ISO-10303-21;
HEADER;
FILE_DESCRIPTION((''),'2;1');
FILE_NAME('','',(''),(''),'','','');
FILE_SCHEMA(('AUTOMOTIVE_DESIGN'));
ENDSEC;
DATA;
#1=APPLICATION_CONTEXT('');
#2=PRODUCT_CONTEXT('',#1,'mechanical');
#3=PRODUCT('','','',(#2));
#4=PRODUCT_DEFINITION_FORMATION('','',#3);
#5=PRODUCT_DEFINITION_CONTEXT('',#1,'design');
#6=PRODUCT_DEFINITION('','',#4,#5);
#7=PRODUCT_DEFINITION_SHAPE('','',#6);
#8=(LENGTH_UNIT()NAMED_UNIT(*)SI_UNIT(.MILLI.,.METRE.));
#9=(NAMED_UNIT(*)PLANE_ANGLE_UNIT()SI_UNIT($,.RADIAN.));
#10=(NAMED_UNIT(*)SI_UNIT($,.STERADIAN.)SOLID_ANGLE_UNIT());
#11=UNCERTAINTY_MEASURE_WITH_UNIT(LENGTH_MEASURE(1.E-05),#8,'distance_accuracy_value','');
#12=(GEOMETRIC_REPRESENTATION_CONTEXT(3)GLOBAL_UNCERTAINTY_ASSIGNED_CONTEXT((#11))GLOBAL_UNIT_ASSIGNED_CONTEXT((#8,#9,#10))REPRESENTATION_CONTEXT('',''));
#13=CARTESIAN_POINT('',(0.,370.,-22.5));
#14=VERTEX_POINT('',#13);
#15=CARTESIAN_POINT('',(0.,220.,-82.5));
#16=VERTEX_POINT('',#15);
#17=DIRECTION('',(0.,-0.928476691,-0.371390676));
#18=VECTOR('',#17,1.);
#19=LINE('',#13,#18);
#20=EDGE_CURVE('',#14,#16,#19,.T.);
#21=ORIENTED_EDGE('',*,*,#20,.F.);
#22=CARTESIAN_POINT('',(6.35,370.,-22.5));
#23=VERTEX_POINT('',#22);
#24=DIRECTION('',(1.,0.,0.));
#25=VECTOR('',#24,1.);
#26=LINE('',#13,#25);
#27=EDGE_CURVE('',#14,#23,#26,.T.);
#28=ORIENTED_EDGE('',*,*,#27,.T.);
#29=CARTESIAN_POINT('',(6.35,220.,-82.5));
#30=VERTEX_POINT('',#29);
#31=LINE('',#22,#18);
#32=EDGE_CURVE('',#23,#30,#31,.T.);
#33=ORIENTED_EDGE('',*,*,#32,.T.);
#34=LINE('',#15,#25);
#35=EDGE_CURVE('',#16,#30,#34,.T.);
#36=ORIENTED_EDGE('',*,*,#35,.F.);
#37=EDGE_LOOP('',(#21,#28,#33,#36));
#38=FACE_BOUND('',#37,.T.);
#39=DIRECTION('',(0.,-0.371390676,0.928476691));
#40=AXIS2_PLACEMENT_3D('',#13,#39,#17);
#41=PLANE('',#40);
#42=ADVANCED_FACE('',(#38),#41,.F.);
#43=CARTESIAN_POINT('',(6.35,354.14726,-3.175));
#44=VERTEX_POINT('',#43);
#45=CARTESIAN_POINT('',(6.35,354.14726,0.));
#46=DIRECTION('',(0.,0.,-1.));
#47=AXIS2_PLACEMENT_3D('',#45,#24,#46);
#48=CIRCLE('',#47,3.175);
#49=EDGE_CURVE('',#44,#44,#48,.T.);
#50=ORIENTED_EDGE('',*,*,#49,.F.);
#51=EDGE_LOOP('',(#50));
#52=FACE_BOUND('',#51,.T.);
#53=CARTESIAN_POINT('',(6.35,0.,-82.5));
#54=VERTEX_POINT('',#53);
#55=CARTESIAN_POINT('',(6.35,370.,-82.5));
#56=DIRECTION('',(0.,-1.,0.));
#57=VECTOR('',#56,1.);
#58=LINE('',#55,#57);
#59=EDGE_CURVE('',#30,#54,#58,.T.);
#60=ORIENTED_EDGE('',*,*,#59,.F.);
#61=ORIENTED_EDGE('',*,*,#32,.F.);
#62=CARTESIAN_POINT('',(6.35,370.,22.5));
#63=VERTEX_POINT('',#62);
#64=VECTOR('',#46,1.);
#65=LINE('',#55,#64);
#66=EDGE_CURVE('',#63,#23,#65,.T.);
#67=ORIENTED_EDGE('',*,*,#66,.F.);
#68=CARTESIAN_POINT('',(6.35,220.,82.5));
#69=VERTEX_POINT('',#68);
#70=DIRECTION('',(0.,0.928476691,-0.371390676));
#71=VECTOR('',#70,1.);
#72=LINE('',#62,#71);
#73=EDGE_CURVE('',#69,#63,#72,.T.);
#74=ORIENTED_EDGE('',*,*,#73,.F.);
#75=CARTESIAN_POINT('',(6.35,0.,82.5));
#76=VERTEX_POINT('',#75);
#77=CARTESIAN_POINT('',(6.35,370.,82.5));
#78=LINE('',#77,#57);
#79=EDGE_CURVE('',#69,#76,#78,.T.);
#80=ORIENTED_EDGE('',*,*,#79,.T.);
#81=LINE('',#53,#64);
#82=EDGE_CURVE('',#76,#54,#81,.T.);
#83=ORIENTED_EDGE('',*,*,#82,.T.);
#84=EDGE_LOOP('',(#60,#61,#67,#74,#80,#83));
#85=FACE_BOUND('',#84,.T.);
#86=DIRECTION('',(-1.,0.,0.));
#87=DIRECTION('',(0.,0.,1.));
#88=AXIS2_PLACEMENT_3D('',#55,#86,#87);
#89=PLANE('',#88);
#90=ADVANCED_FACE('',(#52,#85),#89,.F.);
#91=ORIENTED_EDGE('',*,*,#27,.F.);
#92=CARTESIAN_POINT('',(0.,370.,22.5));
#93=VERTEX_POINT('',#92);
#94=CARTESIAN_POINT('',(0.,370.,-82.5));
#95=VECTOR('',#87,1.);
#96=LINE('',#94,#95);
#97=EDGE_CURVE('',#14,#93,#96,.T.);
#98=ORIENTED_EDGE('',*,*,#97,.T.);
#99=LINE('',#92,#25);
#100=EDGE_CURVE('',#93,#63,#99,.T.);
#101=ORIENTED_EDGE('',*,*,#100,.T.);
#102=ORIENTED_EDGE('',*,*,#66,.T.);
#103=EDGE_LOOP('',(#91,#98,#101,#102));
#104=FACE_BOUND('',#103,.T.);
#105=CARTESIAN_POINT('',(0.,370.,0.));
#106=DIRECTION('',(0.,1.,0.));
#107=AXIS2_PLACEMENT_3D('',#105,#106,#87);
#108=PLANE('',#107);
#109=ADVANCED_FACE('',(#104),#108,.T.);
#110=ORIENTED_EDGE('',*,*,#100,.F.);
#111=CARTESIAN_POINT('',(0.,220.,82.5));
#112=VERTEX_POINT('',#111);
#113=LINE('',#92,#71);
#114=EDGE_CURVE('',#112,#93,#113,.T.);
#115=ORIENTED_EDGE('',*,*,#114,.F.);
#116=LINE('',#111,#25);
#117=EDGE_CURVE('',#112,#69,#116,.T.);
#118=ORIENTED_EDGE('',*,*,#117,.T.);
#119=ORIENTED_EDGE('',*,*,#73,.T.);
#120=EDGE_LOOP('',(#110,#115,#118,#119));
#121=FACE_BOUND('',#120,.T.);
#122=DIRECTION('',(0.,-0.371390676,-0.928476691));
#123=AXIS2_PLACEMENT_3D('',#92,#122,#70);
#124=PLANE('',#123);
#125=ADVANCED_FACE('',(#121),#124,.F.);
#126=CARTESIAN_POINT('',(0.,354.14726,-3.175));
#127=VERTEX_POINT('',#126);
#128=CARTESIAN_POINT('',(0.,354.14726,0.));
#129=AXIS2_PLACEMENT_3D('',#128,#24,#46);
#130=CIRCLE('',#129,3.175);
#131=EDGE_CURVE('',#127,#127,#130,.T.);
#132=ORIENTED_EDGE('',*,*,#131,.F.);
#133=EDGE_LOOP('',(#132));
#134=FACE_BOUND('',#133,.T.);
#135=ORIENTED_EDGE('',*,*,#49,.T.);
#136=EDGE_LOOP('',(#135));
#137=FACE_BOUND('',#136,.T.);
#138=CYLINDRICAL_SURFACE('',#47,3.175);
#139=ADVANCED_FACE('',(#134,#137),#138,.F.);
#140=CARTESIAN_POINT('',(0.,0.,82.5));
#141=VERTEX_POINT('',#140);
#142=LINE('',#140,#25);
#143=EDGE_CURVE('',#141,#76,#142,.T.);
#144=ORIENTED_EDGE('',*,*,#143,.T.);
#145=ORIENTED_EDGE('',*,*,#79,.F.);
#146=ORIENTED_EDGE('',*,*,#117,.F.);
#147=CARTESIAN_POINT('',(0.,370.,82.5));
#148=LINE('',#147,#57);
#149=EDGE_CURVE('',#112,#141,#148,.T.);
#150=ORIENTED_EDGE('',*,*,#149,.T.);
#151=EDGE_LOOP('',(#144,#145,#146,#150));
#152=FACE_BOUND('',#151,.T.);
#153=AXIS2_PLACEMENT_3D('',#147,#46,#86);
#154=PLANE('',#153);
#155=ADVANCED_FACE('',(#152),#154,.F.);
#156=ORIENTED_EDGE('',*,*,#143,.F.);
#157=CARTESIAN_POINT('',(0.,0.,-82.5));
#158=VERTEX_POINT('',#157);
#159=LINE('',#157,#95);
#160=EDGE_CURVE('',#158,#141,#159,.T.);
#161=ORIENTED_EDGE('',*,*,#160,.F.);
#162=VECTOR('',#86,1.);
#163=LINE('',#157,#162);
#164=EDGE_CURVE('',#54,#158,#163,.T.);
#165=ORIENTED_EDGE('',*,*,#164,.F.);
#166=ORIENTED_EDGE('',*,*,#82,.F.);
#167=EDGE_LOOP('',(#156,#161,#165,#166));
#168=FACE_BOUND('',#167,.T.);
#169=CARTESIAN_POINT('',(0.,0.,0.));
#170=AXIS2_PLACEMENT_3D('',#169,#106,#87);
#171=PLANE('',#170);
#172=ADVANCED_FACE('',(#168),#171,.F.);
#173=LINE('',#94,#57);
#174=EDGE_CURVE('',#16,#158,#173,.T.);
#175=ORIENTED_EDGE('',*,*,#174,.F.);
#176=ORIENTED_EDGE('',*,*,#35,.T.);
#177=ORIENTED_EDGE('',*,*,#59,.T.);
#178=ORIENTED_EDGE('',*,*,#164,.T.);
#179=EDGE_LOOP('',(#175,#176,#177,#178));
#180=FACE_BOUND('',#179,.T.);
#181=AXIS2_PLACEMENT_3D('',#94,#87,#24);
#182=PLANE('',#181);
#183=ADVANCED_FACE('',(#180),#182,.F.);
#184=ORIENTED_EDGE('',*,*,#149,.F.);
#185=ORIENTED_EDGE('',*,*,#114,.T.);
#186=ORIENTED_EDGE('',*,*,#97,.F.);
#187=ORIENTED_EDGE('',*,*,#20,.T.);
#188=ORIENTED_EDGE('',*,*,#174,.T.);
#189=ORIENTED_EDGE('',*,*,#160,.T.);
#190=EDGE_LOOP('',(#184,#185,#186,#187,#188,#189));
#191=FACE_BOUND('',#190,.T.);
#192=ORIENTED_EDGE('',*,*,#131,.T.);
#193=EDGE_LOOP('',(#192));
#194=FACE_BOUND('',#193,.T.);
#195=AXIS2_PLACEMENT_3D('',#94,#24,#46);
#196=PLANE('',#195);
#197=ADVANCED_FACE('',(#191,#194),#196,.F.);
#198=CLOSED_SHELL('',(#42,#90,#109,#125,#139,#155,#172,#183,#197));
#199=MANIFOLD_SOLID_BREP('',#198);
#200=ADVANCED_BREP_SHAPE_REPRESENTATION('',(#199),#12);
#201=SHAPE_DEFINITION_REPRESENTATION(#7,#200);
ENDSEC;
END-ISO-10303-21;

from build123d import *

# Parameters (mm, degrees)
SKETCH1_W                   = 6.35
SKETCH1_H                   = 165
BOSS_EXTRUDE1_DEPTH         = 370
F_1_4_0_25_DIAMETER_HOLE1_D = 6.35
CUT_EXTRUDE1_DEPTH          = 380.139252122


with BuildPart() as part:
    # Sketch1 → Boss-Extrude1 (new body)
    with BuildSketch(Plane(origin=(0, 0, 0), x_dir=(1, 0, 0), z_dir=(0, 1, 0))):
        with Locations((3.175, 0)):
            Rectangle(SKETCH1_W, SKETCH1_H)
    extrude(amount=BOSS_EXTRUDE1_DEPTH)

    # 1/4 (0.25) Diameter Hole1 (through all)
    with Locations(Plane(origin=(6.35, 0, 0), x_dir=(0, 0, -1), z_dir=(1, 0, 0))):
        with Locations((0, 354.147260033)):
            Hole(F_1_4_0_25_DIAMETER_HOLE1_D / 2)

    # Sketch4 → Cut-Extrude1 (cut, through all)
    with BuildSketch(Plane(origin=(6.35, 0, 0), x_dir=(0, 0, -1), z_dir=(1, 0, 0))):
        Polygon((-22.5, 370), (-82.5, 220), (-82.5, 370), align=None)
        Polygon((82.5, 370), (22.5, 370), (82.5, 220), align=None)
    extrude(amount=-CUT_EXTRUDE1_DEPTH, mode=Mode.SUBTRACT)


solid = part.part
